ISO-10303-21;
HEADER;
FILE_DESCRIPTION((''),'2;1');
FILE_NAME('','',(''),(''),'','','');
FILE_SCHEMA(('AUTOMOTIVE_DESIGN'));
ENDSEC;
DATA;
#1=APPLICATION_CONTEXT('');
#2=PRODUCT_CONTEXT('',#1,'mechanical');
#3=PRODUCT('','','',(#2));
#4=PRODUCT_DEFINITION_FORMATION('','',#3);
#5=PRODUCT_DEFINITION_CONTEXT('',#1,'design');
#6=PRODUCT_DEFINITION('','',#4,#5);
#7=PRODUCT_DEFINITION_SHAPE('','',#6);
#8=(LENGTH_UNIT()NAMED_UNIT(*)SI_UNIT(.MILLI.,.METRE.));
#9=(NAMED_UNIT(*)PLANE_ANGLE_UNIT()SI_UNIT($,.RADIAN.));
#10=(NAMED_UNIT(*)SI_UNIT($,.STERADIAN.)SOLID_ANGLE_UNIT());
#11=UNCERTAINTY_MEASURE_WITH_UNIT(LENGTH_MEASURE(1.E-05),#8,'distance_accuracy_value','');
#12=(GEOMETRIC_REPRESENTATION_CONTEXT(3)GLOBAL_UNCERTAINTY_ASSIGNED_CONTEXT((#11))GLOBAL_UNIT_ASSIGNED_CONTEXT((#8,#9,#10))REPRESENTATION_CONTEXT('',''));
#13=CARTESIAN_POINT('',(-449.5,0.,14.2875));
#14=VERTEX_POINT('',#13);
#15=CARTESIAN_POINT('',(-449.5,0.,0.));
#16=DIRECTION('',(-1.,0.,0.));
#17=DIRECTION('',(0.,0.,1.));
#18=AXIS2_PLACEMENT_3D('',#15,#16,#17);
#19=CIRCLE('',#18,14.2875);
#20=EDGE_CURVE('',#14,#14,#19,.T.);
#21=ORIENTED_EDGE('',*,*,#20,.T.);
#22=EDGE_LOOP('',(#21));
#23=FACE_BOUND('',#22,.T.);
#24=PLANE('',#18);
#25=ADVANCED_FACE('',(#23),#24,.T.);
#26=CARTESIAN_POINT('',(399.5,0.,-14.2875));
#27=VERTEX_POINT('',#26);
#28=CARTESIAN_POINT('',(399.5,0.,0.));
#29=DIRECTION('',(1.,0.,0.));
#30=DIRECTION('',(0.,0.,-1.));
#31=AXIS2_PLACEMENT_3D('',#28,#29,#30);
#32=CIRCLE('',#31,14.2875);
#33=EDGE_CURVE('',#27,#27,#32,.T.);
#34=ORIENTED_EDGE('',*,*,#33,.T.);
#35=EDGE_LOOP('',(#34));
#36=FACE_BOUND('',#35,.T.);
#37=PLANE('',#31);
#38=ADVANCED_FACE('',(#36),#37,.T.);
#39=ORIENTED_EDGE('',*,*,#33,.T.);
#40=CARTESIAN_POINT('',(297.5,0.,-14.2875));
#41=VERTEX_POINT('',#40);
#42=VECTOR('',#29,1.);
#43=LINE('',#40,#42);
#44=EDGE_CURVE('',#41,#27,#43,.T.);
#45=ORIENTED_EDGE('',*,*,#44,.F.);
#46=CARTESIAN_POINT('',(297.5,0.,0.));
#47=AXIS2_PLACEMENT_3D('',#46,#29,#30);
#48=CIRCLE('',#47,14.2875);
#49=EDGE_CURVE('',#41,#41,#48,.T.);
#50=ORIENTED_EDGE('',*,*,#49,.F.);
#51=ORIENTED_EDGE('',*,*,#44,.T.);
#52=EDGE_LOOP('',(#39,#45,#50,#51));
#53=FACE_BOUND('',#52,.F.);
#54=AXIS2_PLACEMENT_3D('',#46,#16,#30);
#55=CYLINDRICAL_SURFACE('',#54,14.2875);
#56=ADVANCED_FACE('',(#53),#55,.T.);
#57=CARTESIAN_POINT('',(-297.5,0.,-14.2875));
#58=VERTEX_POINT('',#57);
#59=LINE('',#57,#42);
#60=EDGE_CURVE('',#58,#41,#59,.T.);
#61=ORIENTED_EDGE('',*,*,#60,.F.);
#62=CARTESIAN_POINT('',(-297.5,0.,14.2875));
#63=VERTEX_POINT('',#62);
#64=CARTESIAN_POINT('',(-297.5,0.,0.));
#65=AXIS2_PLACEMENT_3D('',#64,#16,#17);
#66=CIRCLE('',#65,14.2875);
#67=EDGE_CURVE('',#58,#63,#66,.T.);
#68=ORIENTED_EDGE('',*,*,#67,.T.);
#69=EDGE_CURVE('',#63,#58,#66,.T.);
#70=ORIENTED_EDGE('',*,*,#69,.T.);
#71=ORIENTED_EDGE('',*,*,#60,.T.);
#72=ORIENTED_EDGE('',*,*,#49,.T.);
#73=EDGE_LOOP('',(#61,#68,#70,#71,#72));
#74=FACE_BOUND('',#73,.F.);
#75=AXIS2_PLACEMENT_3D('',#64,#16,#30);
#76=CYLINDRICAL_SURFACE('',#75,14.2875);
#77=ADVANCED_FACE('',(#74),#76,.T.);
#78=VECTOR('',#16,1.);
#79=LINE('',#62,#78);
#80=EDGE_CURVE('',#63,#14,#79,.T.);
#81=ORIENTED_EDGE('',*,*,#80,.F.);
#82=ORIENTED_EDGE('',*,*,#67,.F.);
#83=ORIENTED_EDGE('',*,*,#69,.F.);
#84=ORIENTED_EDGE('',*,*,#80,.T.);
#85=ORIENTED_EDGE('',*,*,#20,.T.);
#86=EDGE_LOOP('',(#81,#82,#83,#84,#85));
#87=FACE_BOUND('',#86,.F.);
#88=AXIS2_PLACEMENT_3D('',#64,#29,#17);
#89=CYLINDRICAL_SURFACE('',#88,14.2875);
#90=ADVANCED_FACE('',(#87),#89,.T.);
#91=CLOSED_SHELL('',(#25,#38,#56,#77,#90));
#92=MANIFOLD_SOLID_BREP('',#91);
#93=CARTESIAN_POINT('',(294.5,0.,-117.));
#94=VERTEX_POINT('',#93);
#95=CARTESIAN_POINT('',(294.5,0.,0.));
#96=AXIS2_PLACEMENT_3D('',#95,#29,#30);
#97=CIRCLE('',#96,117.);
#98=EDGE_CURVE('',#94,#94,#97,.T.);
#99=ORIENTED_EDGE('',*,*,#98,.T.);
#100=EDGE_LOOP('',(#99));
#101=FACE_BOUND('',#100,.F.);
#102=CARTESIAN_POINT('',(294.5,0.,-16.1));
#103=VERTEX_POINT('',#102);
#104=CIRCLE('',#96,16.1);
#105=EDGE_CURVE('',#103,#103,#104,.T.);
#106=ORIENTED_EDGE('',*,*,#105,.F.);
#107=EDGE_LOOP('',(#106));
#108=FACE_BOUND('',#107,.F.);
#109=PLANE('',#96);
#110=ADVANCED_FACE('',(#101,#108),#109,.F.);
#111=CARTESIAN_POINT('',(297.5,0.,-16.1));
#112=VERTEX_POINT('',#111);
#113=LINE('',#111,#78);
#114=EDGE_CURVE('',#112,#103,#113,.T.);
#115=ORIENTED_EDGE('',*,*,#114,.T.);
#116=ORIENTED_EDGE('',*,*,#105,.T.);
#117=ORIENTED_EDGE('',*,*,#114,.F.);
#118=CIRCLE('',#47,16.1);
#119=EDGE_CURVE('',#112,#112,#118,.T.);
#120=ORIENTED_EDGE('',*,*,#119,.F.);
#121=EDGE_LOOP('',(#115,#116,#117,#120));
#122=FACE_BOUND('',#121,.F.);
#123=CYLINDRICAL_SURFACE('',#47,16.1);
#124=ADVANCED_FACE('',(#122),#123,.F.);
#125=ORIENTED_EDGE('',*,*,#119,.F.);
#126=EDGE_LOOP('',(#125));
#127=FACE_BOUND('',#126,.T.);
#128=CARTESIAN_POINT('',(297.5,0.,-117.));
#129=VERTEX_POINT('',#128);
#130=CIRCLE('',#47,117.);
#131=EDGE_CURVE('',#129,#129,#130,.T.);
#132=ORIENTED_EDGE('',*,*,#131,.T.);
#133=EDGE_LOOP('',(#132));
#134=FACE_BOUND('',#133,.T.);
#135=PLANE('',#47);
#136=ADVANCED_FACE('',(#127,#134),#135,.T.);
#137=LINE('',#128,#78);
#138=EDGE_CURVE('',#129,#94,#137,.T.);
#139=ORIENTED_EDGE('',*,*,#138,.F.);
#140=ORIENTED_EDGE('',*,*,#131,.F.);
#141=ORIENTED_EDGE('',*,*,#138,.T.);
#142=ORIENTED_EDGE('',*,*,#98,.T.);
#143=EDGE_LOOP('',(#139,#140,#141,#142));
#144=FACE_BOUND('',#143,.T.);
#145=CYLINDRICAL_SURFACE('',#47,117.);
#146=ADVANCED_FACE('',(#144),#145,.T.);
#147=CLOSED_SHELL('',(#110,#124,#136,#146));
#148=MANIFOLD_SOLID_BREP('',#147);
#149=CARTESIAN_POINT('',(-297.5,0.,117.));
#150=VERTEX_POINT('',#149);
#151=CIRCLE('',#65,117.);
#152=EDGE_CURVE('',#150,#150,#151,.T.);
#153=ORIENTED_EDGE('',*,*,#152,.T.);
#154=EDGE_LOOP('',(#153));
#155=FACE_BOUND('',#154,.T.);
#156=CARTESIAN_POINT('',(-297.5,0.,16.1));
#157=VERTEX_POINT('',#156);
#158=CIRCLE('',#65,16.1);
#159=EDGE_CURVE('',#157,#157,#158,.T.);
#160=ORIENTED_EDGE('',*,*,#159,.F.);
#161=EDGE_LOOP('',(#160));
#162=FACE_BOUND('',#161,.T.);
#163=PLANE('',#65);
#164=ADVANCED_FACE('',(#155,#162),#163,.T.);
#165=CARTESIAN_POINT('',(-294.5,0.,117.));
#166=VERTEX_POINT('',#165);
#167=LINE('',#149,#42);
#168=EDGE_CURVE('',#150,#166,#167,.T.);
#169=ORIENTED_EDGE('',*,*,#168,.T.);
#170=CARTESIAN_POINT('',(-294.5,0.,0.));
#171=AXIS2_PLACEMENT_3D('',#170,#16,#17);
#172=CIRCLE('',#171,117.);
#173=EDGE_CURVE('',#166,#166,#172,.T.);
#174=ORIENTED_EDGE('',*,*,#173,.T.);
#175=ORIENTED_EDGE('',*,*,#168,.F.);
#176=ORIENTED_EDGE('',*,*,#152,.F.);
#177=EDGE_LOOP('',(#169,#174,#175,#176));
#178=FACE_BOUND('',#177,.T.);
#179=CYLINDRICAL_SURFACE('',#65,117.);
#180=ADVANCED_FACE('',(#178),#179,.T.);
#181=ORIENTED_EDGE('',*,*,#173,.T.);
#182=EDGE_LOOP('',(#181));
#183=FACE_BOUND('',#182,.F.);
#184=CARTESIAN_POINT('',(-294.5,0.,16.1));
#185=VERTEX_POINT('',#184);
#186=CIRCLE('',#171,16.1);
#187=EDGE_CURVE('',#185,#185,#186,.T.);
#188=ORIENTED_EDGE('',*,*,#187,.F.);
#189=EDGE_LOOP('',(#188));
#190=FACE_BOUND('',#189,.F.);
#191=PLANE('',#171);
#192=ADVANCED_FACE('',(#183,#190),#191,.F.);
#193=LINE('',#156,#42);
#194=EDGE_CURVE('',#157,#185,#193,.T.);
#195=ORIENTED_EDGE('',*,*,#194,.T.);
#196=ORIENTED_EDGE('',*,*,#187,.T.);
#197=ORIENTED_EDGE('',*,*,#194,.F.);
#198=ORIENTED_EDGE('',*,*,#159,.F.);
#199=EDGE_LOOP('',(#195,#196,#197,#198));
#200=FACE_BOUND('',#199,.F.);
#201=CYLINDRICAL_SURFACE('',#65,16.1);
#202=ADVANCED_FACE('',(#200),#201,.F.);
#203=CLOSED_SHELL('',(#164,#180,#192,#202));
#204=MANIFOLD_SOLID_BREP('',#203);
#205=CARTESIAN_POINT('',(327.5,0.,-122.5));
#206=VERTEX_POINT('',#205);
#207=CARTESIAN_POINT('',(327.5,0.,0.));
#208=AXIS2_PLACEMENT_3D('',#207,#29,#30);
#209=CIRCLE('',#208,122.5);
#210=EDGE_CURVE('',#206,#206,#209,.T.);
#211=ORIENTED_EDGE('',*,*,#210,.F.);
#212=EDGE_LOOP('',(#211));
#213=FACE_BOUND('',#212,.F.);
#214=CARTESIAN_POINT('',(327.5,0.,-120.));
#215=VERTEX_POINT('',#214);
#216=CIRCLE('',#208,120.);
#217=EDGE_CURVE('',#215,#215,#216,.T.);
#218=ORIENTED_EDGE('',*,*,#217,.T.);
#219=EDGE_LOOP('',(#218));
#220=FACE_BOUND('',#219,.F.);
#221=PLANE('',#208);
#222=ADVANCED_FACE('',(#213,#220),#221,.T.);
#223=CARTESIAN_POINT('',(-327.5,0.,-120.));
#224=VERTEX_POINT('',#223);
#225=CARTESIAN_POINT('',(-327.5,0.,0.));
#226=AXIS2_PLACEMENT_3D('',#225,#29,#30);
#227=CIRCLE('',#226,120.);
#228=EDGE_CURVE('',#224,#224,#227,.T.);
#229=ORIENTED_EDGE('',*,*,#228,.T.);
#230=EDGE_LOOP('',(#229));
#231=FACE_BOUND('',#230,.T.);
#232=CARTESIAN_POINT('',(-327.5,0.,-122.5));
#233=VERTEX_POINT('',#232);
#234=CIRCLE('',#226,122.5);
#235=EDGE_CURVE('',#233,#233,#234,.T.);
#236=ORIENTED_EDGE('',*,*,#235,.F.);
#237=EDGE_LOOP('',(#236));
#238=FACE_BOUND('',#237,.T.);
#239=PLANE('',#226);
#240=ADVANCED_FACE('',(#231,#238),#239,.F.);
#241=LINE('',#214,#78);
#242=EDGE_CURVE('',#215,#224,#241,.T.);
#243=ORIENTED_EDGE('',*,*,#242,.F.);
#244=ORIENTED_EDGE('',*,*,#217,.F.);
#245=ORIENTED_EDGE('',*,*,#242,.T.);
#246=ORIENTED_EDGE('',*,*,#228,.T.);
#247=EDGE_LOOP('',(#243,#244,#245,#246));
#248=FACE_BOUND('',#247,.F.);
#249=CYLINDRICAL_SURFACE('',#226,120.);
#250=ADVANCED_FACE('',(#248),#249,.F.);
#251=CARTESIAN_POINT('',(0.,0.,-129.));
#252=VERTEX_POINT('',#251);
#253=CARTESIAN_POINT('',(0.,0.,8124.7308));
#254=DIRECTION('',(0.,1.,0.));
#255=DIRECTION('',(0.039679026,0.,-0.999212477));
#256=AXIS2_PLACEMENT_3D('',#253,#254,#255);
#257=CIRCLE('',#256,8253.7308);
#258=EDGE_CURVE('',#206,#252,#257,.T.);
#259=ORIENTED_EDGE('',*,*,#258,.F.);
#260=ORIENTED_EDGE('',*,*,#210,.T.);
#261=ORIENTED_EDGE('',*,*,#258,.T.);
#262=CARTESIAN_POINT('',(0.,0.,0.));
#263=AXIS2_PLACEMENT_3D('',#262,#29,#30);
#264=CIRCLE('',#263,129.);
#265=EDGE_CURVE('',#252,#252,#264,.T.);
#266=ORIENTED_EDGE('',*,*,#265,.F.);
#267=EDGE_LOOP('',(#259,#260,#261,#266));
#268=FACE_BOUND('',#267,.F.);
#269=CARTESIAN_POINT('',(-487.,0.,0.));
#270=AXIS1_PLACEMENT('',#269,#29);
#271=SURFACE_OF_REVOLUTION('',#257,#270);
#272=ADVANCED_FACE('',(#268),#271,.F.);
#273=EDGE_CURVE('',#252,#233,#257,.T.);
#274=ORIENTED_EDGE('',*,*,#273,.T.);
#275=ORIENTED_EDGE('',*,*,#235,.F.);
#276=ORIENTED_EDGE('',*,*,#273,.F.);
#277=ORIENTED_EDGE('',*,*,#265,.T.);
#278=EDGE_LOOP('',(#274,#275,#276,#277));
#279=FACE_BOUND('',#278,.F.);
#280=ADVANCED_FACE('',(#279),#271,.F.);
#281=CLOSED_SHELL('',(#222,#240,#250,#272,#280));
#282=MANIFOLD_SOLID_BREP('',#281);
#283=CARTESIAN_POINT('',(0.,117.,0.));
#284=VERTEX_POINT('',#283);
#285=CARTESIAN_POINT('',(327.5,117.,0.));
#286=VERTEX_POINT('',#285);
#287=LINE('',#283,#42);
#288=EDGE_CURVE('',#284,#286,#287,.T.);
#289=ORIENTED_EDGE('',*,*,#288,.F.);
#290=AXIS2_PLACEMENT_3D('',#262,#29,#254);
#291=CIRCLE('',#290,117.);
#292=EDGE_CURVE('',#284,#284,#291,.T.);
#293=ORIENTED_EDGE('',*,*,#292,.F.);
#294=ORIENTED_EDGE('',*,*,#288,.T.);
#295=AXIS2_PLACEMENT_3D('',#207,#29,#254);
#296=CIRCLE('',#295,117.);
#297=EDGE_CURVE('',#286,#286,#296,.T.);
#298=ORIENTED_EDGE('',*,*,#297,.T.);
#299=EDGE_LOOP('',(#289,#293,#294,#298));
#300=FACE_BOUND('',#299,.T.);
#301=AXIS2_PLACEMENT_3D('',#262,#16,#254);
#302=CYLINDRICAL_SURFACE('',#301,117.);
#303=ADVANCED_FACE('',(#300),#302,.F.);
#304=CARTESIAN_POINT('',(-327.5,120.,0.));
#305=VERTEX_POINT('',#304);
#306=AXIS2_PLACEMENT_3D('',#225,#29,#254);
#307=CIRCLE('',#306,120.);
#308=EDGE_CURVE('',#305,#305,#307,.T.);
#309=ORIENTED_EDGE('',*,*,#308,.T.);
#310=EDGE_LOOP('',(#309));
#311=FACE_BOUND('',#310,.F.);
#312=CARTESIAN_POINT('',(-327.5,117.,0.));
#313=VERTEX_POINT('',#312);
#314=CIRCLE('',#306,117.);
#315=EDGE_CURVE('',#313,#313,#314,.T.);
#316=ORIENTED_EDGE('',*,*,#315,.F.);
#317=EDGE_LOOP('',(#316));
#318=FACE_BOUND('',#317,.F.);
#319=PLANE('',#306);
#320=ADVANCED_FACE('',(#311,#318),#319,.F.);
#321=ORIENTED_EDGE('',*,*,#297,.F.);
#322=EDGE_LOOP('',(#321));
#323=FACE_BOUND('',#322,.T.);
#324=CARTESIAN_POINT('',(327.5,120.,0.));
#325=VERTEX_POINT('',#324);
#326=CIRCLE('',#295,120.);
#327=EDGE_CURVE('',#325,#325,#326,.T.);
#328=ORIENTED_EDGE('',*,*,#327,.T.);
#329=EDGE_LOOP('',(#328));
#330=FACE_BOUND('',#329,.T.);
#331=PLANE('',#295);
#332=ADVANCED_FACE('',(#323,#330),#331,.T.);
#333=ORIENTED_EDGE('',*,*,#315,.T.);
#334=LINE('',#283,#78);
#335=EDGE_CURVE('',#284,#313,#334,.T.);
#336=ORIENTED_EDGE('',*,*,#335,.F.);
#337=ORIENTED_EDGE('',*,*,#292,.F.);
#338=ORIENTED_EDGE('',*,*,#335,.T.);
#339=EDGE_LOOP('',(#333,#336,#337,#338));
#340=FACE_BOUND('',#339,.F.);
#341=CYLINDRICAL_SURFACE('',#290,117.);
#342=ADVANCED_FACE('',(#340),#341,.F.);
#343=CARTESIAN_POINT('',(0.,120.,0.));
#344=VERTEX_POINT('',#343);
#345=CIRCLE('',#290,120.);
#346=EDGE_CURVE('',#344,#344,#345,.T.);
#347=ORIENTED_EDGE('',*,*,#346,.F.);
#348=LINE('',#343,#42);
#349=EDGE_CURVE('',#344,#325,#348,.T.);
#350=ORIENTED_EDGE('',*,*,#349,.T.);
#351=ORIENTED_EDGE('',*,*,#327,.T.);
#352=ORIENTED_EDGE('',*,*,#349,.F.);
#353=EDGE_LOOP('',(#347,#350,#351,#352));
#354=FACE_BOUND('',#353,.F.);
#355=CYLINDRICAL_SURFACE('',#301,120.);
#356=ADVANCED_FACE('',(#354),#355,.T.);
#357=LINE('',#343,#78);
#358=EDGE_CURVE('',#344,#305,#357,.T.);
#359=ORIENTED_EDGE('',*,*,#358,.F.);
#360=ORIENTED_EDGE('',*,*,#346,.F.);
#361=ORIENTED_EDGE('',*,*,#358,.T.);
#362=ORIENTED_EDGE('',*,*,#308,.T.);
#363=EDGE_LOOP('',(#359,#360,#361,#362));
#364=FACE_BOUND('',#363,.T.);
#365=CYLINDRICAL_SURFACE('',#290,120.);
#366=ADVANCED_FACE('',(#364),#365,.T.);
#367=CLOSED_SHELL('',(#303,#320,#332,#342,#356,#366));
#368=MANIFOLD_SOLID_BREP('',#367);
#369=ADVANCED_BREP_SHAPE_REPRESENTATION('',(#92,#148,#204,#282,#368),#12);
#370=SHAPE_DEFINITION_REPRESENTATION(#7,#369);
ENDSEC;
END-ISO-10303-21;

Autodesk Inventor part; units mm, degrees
ref_plane "YZ Plane" through (0, 0, 0) normal (1, 0, 0) x (0, 1, 0)
sketch "Sketch1" plane through (0, 0, 0) normal (1, 0, 0) x (0, 1, 0)
  circle A0 centre (0, 0) radius 120
  circle A1 centre (0, 0) radius 117
  dimension "d0" = 240
  dimension "d22" = 3
extrude "Extrusion1" add sketch "Sketch1" along normal mid plane 655
sketch "Sketch2" plane through (0, 0, 0) normal (0, 1, 0) x (-1, 0, 0)
  line L0 (327.5, -120) -> (327.5, 120) projected
  line L1 (327.5, -120) -> (327.5, -122.5)
  line L2 (327.5, -120) -> (-327.5, -120) projected
  line L3 (0, -120) -> (0, -129)
  line L4 (-327.5, -120) -> (-327.5, -122.5)
  arc A0 (-327.5, -122.5) -> (327.5, -122.5) centre (0, 8124.7308) ccw
  line L5 (-327.5, 120) -> (-327.5, -120) projected
  line L6 (327.5, -120) -> (-327.5, -120)
  line L7 (487, 0) -> (-600, 0)
  line L8 (-327.5, -117) -> (327.5, -117) projected
  line L9 (327.5, -117) -> (327.5, -120) projected
  line L10 (-327.5, -120) -> (-327.5, -117) projected
  line L11 (327.5, 117) -> (-327.5, 117) projected
  line L12 (-327.5, 117) -> (-327.5, 120) projected
  line L13 (327.5, 120) -> (327.5, 117) projected
  line L14 (327.5, -120) -> (327.5, 120) projected
  line L15 (-327.5, 120) -> (-327.5, -120) projected
  line L16 (327.5, -120) -> (-327.5, -120) projected
  line L17 (-327.5, 120) -> (327.5, 120) projected
  line L18 (0, -129) -> (-327.5, -129) construction
  line L19 (-327.5, -129) -> (-327.5, -122.5) construction
  point P0 (0, 0)
  dimension "d6" = 2.5
  dimension "d7" = 9
  dimension "d8" = 2.5
  dimension "d10" = 8253.7308
  dimension "d25" = 6.5
  dimension "d27" = 327.5
revolve "Revolution1" add sketch "Sketch2" angle 360 about axis through (-487, 0, 0) along (1, 0, 0) separate body contours L1 A0 L3 L2 | L3 A0 L4 L2
ref_plane "Work Plane1" through (297.5, 0, 0) normal (1, 0, 0) x (0, 0, -1)
sketch "Sketch3" plane through (297.5, 0, 0) normal (1, 0, 0) x (0, 0, -1)
  circle A0 centre (0, 0) radius 117 projected
  circle A1 centre (0, 0) radius 16.1
  dimension "d26" = 32.2
extrude "Extrusion2" add sketch "Sketch3" against normal blind 3 separate body
ref_plane "Work Plane2" through (-297.5, 0, 0) normal (-1, 0, 0) x (0, 0, 1)
sketch "Sketch4" plane through (-297.5, 0, 0) normal (-1, 0, 0) x (0, 0, 1)
  circle A0 centre (0, 0) radius 117 projected
  circle A1 centre (0, 0) radius 16.1 projected
extrude "Extrusion3" add sketch "Sketch4" against normal blind 3 separate body
sketch "Sketch5" plane through (-297.5, 0, 0) normal (-1, 0, 0) x (0, 0, 1)
  circle A0 centre (0, 0) radius 14.2875
  dimension "d17" = 28.575
extrude "Extrusion4" add sketch "Sketch5" along normal blind 152 separate body
sketch "Sketch6" plane through (297.5, 0, 0) normal (1, 0, 0) x (0, 0, -1)
  circle A0 centre (0, 0) radius 14.2875 projected
extrude "Extrusion5" add sketch "Sketch6" along normal blind 102 bodies 5
sketch "Sketch7" plane through (-297.5, 0, 0) normal (1, 0, 0) x (0, 0, -1)
  circle A0 centre (0, 0) radius 14.2875 projected
extrude "Extrusion6" add sketch "Sketch7" along normal up to surface (595 mm away) bodies 5
equation "\"d6\" = d8"
properties part number "C01" material "Rubber"
